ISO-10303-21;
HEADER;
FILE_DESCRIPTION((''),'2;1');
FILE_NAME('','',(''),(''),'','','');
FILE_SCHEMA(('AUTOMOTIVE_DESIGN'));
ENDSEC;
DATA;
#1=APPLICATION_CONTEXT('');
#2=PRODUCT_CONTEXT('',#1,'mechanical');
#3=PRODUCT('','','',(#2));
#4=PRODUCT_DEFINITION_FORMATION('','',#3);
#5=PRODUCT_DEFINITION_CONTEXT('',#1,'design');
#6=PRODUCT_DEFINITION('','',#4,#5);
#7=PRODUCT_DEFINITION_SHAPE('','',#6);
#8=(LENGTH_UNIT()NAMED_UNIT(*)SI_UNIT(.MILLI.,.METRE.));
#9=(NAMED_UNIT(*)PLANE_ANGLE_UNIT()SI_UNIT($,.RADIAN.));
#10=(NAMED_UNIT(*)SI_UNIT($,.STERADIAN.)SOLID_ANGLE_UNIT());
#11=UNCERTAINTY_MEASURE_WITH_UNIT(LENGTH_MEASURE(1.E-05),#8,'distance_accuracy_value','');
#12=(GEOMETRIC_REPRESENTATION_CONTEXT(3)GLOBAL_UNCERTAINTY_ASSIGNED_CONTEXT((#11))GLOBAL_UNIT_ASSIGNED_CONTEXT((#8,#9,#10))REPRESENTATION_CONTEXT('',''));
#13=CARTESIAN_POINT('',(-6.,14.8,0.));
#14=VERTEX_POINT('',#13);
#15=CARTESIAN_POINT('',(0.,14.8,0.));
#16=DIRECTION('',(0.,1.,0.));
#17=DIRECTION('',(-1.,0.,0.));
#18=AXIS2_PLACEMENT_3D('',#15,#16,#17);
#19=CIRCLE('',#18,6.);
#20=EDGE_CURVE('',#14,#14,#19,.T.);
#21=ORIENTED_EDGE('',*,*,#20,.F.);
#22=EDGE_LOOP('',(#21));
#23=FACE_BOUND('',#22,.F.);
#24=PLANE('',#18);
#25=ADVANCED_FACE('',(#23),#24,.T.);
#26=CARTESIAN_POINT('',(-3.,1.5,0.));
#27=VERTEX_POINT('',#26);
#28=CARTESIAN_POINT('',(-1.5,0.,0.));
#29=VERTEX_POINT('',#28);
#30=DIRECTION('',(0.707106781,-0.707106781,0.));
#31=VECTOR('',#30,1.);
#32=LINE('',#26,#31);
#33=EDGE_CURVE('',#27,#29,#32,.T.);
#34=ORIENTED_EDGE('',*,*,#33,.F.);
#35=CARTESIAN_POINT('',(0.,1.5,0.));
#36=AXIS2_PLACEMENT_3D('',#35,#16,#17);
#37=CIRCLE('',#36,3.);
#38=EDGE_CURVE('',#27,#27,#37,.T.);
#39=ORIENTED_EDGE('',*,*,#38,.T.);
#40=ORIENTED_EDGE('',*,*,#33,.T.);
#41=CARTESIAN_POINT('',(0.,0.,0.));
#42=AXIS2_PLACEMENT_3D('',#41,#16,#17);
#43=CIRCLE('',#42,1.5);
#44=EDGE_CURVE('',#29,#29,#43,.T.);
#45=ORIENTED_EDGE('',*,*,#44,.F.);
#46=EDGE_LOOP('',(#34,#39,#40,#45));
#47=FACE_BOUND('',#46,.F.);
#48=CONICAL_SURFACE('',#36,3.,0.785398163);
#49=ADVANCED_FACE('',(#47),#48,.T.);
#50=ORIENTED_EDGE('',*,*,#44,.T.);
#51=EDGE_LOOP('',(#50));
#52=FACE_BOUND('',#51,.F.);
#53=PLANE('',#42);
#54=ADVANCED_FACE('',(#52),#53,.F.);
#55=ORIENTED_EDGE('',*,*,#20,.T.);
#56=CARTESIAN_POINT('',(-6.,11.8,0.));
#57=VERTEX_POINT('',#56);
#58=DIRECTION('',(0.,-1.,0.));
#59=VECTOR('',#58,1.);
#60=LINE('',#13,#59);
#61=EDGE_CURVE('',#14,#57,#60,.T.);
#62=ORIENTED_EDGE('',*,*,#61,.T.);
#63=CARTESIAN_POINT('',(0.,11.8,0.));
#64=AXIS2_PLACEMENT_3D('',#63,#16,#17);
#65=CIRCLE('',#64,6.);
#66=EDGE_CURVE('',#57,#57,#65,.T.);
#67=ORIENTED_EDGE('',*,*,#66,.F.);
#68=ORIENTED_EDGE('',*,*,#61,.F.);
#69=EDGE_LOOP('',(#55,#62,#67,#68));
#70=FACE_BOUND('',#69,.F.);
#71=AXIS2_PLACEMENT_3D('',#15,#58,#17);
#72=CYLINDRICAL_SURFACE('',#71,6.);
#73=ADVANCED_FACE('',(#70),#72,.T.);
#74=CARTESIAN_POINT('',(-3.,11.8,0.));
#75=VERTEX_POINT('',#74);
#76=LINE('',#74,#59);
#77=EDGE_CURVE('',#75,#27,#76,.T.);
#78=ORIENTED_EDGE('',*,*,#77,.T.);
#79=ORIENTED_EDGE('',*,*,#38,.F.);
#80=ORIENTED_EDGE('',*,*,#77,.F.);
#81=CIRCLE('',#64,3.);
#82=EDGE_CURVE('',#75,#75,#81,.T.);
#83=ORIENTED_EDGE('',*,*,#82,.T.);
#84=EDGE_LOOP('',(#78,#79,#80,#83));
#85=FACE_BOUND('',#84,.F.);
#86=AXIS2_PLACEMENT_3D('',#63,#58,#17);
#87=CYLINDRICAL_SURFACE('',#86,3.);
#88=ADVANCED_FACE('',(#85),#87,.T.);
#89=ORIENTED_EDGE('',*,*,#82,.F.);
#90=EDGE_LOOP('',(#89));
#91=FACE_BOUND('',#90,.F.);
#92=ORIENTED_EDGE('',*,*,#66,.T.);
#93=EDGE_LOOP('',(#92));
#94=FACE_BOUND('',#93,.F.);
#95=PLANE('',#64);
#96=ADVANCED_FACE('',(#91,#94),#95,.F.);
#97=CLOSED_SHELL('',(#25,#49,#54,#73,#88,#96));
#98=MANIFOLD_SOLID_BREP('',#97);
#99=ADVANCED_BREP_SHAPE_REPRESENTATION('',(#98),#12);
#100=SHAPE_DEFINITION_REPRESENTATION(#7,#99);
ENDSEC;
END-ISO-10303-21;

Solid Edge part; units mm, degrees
sketch "Sketch1" plane through (0, 0, 0) normal (0, 0, 1) x (1, 0, 0)
  line L0 (0, 14.8) -> (-6, 14.8)
  line L1 (-6, 14.8) -> (-6, 11.8)
  line L2 (-6, 11.8) -> (-3, 11.8)
  line L3 (-3, 11.8) -> (-3, 1.5)
  line L4 (-3, 1.5) -> (-1.5, 0)
  line L5 (-1.5, 0) -> (0, 0)
  dimension "D1" = 11.8
  dimension "D2" = 3
revolve "RevolvedProtrusion1" add sketch "Sketch1" angle 360 about axis through (0, 0, 0) along (0, 1, 0)
